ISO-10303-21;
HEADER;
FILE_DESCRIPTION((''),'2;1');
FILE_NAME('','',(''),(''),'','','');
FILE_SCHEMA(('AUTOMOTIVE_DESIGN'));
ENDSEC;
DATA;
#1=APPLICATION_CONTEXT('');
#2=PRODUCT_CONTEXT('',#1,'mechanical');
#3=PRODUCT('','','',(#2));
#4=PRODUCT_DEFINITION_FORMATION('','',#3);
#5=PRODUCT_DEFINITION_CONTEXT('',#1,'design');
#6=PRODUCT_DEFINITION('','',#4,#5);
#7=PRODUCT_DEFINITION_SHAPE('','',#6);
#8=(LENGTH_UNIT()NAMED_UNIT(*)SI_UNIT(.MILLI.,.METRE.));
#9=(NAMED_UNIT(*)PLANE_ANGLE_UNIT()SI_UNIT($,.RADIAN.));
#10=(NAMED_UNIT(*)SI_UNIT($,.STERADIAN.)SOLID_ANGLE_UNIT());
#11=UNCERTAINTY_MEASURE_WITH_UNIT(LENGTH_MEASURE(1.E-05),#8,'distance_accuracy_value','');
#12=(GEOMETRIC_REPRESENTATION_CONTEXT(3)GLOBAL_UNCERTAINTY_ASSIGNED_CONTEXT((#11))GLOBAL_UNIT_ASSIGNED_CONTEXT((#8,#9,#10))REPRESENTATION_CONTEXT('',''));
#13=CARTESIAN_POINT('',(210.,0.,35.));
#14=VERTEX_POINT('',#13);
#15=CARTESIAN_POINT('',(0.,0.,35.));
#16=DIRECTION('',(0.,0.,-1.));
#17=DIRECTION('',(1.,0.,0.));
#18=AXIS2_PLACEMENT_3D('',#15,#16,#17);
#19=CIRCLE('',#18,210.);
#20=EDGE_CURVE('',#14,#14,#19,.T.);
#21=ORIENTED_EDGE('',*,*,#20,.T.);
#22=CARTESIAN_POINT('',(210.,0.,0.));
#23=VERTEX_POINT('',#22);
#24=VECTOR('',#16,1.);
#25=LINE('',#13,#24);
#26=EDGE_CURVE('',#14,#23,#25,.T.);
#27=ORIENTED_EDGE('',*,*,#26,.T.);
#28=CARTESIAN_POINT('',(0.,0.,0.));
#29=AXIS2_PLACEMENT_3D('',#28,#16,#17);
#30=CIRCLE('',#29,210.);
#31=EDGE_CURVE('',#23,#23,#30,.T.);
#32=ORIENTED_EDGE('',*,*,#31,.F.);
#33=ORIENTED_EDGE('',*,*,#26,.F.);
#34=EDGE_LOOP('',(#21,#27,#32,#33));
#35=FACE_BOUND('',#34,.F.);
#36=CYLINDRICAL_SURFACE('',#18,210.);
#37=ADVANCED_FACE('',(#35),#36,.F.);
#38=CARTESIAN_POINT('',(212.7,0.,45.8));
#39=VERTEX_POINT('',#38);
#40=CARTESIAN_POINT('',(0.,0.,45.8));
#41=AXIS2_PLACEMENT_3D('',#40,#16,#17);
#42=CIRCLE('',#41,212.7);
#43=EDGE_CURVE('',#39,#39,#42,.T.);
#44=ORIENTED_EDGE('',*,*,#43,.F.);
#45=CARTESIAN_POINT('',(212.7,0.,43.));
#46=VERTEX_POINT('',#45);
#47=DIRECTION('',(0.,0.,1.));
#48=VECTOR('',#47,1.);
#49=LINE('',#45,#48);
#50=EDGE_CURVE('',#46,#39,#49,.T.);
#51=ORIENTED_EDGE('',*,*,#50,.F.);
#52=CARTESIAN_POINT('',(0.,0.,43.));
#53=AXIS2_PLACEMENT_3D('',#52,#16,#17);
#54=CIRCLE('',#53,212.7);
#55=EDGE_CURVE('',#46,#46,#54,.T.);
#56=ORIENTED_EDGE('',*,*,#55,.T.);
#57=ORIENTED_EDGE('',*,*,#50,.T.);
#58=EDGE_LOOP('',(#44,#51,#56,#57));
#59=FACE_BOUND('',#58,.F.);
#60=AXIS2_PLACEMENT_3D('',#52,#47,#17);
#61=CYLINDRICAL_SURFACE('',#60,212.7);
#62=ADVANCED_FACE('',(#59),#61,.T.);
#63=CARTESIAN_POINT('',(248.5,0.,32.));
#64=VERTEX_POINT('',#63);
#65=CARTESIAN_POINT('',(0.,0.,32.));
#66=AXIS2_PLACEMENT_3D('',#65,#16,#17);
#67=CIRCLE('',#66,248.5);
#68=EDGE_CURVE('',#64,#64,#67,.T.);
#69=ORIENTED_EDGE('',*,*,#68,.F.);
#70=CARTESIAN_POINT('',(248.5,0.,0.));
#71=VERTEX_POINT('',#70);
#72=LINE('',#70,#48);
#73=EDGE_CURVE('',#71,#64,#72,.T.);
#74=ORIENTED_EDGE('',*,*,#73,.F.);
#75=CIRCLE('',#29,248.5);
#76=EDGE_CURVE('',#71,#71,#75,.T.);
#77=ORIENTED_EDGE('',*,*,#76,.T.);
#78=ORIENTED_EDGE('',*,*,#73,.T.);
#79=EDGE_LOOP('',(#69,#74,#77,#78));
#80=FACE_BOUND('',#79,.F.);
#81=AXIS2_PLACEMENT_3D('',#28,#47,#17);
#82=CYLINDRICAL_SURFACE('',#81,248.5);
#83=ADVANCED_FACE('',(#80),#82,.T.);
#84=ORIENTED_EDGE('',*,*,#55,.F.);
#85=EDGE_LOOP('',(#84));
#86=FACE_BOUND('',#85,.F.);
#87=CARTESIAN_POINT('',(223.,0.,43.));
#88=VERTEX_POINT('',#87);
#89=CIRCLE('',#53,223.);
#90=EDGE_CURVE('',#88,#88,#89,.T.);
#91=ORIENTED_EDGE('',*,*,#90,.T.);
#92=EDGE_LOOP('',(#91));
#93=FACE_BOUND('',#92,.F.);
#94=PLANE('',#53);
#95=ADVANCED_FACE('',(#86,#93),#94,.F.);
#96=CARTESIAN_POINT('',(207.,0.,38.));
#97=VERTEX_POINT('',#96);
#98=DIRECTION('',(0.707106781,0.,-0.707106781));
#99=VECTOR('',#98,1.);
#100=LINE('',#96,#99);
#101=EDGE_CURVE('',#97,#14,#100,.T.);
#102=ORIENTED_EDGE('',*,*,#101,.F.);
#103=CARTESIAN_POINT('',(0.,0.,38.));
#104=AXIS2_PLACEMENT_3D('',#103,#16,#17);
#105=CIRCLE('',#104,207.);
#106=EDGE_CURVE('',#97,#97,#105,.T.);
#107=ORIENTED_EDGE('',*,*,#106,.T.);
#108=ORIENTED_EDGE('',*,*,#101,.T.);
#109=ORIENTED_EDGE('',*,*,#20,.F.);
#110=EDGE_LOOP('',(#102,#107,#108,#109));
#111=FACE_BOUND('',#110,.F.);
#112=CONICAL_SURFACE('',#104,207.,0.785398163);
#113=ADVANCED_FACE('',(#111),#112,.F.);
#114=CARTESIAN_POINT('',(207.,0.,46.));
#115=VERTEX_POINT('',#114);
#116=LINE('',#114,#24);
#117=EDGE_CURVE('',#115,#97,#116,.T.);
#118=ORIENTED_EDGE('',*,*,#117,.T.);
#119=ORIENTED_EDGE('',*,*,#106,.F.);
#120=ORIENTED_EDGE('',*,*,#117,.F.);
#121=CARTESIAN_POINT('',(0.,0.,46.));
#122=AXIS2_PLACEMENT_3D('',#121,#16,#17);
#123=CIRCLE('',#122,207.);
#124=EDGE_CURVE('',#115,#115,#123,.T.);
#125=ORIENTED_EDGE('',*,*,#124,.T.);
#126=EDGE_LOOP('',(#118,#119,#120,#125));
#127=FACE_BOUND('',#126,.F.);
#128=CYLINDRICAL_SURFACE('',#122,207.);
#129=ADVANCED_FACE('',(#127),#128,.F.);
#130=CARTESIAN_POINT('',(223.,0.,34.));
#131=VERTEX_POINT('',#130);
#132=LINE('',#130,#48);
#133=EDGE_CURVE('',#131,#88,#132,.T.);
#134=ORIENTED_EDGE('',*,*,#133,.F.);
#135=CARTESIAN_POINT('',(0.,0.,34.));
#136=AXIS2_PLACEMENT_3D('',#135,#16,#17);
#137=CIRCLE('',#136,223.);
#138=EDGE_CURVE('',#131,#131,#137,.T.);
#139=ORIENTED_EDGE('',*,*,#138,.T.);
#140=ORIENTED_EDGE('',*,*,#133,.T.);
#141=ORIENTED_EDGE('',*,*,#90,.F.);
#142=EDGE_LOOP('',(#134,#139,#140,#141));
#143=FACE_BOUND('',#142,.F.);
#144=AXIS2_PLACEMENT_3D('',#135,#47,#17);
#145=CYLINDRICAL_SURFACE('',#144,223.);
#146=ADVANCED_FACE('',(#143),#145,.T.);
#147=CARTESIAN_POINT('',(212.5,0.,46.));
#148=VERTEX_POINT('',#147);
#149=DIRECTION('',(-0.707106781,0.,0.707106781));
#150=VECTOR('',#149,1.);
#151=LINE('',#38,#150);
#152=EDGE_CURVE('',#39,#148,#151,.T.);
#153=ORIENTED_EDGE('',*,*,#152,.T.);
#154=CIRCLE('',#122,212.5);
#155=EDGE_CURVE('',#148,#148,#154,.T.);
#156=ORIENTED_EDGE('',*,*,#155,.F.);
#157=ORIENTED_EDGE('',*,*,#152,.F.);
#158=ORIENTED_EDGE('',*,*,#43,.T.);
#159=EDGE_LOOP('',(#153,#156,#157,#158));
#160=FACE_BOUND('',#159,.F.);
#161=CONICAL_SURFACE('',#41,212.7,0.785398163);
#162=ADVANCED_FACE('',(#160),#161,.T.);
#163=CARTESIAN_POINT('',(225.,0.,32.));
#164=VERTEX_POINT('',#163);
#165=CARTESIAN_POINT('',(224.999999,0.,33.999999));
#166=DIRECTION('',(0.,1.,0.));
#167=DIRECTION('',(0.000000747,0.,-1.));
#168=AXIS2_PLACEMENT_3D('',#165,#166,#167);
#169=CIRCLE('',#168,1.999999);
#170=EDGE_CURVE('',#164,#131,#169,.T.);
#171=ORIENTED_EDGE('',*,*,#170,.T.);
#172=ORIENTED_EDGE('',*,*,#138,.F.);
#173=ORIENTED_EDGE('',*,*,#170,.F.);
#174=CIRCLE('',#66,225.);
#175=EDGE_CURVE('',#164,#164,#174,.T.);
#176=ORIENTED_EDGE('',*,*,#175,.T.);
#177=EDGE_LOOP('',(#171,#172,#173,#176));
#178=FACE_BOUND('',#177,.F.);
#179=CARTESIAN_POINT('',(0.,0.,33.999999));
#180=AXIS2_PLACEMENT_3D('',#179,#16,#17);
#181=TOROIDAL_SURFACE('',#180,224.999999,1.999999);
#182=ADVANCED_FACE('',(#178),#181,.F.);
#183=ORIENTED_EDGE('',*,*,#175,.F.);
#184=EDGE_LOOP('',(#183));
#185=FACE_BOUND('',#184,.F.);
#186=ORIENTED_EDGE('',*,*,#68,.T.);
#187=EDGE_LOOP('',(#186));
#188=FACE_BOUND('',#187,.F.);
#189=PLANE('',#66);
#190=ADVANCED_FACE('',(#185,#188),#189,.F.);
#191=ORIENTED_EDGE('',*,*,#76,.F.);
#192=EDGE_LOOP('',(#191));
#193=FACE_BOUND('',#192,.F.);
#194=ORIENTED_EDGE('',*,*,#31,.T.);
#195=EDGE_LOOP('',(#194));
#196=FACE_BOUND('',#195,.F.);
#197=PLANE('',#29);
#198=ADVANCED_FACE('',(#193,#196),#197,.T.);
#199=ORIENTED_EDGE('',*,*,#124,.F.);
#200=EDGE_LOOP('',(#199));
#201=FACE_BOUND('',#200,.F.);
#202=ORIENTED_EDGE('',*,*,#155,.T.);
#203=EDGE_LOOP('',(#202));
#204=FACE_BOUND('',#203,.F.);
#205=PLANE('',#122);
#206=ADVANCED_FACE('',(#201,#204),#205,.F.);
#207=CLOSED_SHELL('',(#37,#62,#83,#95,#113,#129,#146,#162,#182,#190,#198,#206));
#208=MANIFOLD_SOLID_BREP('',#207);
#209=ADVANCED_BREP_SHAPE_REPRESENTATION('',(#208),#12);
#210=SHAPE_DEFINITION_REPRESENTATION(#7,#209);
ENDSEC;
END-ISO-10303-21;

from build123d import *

# Parameters (mm, degrees)
F2_SIZE2 = 0.2
F2_SIZE  = 0.2


with BuildPart() as f1:
    # F0 (on Front) → F1 (revolve)
    with BuildSketch(Plane.XZ):
        with BuildLine():
            Line((210, 35), (210, 0))
            Line((210, 0), (248.5, 0))
            Line((248.5, 0), (248.5, 32))
            Line((248.5, 32), (225, 32))
            ThreePointArc((225, 32), (223.585786, 32.585786), (223, 34))
            Line((223, 34), (223, 43))
            Line((223, 43), (212.7, 43))
            Line((212.7, 43), (212.7, 46))
            Line((212.7, 46), (207, 46))
            Line((207, 46), (207, 38))
            Line((207, 38), (210, 35))
        make_face()
    revolve(axis=Axis((0, 0, -4.341714), (0, 0, -1)))

    # F2
    f2_edges = [f1.edges().sort_by_distance(p)[0] for p in [
        (-212.7, 0, 46),
    ]]
    chamfer(f2_edges, length=F2_SIZE, length2=F2_SIZE2)


solid = f1.part
